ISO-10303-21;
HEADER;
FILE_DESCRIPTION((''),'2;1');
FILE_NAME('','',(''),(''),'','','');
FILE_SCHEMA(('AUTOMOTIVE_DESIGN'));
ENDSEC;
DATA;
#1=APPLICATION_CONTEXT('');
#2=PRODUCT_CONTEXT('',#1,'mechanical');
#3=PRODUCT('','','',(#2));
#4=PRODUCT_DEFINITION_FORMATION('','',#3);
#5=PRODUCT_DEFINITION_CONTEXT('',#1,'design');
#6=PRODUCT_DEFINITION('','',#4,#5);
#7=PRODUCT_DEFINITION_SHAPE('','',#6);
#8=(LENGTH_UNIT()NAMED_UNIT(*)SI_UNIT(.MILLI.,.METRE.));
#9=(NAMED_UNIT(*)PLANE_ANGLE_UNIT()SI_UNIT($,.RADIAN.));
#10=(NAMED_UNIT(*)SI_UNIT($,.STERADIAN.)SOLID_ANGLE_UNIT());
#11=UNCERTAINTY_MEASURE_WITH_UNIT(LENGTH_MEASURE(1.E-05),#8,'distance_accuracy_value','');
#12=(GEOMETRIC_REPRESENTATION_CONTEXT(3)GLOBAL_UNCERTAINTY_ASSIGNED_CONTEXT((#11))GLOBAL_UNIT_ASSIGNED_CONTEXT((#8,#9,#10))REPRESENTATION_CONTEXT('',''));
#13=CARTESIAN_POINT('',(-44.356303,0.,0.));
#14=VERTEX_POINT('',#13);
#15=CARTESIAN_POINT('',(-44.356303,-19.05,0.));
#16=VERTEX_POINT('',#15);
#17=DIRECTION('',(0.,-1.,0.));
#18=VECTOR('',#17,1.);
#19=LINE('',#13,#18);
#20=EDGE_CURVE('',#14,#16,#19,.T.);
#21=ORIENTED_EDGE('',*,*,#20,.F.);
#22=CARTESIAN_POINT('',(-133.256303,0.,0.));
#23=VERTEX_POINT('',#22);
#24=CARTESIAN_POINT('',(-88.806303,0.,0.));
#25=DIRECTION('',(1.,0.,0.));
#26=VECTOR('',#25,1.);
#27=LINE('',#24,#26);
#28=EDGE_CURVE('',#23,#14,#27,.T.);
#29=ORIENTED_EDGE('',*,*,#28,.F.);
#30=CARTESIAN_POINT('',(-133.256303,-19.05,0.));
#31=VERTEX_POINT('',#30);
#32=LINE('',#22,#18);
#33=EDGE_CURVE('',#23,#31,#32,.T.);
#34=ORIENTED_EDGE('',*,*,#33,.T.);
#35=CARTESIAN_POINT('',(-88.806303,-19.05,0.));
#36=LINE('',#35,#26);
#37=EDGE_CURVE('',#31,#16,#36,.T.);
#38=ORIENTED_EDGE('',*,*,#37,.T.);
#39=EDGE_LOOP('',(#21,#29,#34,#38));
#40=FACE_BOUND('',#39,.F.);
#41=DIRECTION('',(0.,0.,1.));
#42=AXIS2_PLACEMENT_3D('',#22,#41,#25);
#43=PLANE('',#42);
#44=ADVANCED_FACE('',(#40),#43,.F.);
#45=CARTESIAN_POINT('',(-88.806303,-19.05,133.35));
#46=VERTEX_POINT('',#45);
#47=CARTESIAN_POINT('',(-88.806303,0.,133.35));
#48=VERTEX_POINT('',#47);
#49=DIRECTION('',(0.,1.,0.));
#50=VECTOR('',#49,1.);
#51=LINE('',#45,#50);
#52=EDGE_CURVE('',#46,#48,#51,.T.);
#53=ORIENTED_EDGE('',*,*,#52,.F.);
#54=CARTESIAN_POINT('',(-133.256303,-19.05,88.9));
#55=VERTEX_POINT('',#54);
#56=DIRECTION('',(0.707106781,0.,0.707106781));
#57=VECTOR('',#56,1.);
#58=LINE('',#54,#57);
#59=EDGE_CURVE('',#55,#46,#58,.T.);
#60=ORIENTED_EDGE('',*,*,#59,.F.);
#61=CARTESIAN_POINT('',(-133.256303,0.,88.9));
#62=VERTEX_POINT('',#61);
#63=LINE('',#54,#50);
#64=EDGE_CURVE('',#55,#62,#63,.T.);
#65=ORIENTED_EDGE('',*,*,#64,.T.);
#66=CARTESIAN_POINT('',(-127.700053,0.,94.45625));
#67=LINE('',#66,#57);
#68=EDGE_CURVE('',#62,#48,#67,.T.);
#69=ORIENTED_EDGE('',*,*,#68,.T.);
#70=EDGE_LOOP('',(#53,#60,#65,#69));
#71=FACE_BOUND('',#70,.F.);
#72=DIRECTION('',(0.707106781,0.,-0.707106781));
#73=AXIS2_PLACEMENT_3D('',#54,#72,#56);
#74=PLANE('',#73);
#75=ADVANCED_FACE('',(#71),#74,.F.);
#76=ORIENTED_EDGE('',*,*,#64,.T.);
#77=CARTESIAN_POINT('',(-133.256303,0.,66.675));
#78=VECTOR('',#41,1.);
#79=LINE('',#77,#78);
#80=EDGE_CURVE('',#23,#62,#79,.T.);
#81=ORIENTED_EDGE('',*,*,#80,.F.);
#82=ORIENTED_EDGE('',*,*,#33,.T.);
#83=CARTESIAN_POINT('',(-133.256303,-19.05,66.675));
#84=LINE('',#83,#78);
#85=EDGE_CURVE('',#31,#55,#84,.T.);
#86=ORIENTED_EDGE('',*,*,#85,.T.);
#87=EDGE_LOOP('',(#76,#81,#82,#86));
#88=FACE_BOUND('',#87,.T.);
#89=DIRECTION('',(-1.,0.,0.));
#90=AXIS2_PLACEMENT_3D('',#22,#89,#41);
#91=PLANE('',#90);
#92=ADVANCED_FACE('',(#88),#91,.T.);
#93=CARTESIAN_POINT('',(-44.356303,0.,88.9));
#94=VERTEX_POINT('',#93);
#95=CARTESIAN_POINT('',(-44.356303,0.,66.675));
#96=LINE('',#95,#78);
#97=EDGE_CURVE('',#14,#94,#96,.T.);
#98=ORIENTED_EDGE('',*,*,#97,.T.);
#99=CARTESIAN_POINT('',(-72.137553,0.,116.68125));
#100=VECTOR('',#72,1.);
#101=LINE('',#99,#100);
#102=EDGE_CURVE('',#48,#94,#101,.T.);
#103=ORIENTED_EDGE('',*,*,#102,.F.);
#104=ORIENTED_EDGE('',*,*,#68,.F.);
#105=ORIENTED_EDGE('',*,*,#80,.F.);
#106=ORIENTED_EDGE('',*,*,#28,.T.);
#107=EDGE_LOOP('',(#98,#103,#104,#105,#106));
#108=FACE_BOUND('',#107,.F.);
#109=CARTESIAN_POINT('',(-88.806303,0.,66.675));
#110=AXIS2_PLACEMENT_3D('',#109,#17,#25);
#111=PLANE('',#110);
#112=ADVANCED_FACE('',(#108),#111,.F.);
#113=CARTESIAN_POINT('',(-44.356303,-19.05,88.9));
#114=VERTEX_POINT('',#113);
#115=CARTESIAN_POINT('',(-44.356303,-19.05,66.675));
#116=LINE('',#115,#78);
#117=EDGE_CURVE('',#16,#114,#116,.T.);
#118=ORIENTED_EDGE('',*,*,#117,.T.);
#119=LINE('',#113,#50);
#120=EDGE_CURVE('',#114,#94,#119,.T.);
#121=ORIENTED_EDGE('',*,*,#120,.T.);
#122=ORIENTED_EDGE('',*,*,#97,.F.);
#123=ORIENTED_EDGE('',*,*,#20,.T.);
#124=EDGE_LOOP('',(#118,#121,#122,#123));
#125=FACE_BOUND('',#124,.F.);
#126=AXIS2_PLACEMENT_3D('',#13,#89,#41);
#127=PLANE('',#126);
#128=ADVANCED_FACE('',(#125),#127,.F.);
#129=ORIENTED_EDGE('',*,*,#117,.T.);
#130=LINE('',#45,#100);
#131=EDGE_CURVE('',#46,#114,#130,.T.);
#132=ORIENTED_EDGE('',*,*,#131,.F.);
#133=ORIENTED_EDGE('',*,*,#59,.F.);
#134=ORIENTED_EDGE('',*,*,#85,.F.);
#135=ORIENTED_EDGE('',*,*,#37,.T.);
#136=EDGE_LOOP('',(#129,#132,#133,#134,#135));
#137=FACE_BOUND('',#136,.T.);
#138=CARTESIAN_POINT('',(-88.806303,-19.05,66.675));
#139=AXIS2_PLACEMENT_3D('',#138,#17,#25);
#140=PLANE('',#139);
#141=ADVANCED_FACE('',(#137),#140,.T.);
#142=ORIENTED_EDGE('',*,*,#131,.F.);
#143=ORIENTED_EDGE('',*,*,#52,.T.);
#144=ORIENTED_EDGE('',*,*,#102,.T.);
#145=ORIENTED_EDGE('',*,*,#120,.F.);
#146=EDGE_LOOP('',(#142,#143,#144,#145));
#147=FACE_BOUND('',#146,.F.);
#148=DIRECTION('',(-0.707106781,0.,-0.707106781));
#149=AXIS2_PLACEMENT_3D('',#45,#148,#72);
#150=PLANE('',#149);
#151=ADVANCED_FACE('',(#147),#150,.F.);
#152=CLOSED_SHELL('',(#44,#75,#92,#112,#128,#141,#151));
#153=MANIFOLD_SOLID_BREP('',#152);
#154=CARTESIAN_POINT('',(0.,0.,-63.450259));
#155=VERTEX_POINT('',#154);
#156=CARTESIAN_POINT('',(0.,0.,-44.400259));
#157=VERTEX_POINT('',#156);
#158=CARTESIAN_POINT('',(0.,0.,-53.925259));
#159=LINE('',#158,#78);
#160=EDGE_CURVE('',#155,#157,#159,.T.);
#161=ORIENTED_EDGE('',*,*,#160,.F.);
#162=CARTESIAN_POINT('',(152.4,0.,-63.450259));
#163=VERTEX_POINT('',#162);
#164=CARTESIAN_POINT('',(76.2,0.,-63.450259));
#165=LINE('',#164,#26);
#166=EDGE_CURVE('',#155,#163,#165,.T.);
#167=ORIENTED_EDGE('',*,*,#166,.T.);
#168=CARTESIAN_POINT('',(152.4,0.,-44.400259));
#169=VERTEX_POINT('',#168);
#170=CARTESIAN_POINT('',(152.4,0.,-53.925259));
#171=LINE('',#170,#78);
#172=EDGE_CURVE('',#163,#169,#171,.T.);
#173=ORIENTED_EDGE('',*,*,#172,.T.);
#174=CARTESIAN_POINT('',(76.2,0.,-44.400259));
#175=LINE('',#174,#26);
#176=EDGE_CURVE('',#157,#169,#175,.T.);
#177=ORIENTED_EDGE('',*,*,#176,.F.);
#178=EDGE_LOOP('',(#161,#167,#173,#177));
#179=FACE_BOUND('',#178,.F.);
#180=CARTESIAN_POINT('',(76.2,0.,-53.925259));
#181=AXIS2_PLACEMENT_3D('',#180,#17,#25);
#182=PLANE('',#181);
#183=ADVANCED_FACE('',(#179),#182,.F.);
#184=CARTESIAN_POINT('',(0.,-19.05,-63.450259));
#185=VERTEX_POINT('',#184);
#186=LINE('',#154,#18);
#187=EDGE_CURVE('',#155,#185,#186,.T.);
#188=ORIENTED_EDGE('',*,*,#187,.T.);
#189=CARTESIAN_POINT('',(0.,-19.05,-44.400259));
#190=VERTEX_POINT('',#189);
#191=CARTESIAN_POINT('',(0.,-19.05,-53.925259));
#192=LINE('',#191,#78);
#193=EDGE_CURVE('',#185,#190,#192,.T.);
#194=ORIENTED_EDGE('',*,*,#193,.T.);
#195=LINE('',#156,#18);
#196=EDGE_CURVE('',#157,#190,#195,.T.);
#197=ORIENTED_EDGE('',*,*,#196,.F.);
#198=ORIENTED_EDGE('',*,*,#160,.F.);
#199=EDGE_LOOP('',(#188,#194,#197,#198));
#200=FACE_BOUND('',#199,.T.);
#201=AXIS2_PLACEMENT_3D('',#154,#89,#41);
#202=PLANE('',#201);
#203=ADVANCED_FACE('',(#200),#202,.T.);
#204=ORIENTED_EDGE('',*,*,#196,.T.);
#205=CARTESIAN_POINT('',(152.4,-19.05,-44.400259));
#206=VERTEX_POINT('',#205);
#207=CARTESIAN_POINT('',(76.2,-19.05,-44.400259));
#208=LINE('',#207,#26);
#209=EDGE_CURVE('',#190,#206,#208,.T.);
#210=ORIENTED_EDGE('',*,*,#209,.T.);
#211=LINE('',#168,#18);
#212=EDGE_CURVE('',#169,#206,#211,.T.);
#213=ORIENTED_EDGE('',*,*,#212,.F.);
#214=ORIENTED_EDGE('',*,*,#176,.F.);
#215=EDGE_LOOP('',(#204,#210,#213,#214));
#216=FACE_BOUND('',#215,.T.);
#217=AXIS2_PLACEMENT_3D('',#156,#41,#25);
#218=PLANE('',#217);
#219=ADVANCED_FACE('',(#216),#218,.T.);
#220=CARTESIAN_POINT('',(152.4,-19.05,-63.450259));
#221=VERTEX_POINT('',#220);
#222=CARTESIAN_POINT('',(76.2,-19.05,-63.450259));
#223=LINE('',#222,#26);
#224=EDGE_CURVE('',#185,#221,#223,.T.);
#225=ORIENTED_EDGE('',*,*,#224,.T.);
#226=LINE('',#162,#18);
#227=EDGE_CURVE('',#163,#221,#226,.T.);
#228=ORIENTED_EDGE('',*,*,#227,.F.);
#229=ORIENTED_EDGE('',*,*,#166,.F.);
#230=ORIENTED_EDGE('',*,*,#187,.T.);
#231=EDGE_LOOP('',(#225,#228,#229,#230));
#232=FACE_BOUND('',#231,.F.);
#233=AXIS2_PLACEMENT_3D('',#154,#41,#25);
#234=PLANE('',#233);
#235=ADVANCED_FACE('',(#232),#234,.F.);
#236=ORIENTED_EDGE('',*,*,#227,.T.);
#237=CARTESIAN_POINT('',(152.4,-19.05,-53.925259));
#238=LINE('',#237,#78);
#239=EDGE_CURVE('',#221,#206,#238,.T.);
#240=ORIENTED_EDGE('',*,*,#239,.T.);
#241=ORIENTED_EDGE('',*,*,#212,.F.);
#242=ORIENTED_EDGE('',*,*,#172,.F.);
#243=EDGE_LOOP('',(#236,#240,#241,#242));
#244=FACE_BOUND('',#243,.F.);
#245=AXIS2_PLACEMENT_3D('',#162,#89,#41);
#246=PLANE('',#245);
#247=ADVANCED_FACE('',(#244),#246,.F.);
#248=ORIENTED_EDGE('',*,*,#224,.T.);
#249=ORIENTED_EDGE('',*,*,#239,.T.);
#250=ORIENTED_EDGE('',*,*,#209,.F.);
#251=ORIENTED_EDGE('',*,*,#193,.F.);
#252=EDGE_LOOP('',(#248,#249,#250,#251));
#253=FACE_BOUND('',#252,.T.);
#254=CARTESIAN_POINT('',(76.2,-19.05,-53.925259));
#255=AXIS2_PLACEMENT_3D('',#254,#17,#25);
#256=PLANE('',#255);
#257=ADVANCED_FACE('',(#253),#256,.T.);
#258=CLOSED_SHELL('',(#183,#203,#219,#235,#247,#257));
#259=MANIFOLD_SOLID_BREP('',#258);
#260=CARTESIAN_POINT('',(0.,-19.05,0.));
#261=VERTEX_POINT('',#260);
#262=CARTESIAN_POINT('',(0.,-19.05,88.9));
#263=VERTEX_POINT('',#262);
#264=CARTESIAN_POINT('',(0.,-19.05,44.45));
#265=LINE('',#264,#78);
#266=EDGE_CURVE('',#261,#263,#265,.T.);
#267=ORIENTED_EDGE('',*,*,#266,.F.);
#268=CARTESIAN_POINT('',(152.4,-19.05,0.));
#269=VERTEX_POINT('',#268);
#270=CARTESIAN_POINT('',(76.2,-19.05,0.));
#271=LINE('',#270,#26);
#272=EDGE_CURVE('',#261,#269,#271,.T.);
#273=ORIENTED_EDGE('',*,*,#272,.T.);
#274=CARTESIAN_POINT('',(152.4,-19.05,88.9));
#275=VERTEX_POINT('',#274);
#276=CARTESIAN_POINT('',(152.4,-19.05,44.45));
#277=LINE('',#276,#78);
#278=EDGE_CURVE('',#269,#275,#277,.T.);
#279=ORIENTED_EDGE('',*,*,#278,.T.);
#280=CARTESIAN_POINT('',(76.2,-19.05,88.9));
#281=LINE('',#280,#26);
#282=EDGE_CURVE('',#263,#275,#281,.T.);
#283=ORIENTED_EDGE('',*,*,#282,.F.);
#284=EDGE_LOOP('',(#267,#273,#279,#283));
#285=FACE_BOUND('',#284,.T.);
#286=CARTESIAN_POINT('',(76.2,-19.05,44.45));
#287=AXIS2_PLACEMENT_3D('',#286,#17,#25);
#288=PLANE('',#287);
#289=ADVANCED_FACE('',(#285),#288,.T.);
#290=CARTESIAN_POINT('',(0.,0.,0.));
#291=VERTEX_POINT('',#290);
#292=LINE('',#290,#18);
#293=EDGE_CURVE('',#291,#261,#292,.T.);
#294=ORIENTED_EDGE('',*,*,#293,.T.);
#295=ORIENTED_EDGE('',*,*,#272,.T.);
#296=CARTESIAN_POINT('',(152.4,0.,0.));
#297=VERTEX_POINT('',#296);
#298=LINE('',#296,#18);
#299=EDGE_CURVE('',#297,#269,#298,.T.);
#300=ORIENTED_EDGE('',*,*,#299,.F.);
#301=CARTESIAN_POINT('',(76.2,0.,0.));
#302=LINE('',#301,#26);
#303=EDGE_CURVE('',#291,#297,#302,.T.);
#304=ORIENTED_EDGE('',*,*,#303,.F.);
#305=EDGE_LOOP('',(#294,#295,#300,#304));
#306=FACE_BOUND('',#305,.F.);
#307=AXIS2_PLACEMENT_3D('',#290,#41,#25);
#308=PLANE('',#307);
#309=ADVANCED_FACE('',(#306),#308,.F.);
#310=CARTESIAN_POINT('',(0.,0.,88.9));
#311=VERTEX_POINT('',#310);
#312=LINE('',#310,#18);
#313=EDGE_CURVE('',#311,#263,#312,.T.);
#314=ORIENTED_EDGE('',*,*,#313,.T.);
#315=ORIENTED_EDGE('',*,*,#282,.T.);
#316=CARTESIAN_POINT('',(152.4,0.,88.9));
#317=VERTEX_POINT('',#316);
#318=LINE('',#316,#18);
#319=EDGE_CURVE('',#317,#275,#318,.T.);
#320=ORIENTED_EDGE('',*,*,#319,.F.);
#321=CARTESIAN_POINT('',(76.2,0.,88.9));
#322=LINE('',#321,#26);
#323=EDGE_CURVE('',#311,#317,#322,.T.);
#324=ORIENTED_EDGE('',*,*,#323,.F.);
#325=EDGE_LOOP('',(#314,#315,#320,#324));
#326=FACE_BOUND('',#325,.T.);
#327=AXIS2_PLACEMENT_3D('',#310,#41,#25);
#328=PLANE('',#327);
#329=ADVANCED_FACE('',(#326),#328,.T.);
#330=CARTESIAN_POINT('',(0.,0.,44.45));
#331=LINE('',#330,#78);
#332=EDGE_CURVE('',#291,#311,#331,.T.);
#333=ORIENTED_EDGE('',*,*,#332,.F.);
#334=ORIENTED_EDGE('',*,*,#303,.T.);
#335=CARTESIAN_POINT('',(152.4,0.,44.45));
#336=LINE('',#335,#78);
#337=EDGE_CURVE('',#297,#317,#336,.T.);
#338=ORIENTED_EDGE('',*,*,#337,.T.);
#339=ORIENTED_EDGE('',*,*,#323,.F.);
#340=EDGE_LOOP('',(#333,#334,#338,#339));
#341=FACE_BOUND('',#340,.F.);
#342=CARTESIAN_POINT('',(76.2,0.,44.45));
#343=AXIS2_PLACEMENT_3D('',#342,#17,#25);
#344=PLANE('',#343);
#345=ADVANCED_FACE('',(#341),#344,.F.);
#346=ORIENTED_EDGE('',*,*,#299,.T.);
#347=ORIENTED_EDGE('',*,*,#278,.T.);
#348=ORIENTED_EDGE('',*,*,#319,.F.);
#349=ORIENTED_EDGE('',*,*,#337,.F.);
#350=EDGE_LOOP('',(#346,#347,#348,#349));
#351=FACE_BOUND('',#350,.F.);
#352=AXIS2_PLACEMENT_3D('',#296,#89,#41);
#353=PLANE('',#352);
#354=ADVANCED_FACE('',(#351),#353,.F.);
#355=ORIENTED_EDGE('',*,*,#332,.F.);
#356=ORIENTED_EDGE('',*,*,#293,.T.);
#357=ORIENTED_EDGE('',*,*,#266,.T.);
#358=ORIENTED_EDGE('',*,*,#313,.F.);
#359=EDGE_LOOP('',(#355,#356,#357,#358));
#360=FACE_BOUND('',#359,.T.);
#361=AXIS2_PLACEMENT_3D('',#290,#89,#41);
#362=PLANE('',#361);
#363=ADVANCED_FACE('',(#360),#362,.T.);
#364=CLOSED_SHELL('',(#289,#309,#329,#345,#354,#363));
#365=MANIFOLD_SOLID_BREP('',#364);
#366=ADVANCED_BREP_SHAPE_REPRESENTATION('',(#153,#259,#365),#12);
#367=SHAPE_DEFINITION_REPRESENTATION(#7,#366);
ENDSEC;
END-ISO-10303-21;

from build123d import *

# Parameters (mm, degrees)
F0_W     = 152.4
F0_H     = 88.9
F1_DEPTH = 19.05
F2_W     = 88.9
F2_H     = 133.35
F3_DEPTH = 19.05
F5_DEPTH = 19.051
F6_W     = 152.4
F6_H     = 19.05
F7_DEPTH = 19.05


with BuildPart() as f1:
    # F0 (on Front) → F1 (new body)
    with BuildSketch(Plane.XZ):
        with Locations((76.2, 44.45)):
            Rectangle(F0_W, F0_H)
    extrude(amount=F1_DEPTH)


with BuildPart() as f3:
    # F2 (on Front) → F3 (new body)
    with BuildSketch(Plane.XZ):
        with Locations((-88.806303, 66.675)):
            Rectangle(F2_W, F2_H)
    extrude(amount=F3_DEPTH)

    # F4 (on face) → F5 (cut, through all)
    with BuildSketch(Plane.XZ.offset(19.05)):
        Polygon((-133.256303, 88.9), (-88.806303, 133.35), (-133.256303, 133.35), align=None)
        Polygon((-44.356303, 133.35), (-88.806303, 133.35), (-44.356303, 88.9), align=None)
    extrude(amount=-F5_DEPTH, mode=Mode.SUBTRACT)


with BuildPart() as f7:
    # F6 (on Front) → F7 (new body)
    with BuildSketch(Plane.XZ):
        with Locations((76.2, -53.925259)):
            Rectangle(F6_W, F6_H)
    extrude(amount=F7_DEPTH)


solid = Compound([f1.part, f3.part, f7.part])
